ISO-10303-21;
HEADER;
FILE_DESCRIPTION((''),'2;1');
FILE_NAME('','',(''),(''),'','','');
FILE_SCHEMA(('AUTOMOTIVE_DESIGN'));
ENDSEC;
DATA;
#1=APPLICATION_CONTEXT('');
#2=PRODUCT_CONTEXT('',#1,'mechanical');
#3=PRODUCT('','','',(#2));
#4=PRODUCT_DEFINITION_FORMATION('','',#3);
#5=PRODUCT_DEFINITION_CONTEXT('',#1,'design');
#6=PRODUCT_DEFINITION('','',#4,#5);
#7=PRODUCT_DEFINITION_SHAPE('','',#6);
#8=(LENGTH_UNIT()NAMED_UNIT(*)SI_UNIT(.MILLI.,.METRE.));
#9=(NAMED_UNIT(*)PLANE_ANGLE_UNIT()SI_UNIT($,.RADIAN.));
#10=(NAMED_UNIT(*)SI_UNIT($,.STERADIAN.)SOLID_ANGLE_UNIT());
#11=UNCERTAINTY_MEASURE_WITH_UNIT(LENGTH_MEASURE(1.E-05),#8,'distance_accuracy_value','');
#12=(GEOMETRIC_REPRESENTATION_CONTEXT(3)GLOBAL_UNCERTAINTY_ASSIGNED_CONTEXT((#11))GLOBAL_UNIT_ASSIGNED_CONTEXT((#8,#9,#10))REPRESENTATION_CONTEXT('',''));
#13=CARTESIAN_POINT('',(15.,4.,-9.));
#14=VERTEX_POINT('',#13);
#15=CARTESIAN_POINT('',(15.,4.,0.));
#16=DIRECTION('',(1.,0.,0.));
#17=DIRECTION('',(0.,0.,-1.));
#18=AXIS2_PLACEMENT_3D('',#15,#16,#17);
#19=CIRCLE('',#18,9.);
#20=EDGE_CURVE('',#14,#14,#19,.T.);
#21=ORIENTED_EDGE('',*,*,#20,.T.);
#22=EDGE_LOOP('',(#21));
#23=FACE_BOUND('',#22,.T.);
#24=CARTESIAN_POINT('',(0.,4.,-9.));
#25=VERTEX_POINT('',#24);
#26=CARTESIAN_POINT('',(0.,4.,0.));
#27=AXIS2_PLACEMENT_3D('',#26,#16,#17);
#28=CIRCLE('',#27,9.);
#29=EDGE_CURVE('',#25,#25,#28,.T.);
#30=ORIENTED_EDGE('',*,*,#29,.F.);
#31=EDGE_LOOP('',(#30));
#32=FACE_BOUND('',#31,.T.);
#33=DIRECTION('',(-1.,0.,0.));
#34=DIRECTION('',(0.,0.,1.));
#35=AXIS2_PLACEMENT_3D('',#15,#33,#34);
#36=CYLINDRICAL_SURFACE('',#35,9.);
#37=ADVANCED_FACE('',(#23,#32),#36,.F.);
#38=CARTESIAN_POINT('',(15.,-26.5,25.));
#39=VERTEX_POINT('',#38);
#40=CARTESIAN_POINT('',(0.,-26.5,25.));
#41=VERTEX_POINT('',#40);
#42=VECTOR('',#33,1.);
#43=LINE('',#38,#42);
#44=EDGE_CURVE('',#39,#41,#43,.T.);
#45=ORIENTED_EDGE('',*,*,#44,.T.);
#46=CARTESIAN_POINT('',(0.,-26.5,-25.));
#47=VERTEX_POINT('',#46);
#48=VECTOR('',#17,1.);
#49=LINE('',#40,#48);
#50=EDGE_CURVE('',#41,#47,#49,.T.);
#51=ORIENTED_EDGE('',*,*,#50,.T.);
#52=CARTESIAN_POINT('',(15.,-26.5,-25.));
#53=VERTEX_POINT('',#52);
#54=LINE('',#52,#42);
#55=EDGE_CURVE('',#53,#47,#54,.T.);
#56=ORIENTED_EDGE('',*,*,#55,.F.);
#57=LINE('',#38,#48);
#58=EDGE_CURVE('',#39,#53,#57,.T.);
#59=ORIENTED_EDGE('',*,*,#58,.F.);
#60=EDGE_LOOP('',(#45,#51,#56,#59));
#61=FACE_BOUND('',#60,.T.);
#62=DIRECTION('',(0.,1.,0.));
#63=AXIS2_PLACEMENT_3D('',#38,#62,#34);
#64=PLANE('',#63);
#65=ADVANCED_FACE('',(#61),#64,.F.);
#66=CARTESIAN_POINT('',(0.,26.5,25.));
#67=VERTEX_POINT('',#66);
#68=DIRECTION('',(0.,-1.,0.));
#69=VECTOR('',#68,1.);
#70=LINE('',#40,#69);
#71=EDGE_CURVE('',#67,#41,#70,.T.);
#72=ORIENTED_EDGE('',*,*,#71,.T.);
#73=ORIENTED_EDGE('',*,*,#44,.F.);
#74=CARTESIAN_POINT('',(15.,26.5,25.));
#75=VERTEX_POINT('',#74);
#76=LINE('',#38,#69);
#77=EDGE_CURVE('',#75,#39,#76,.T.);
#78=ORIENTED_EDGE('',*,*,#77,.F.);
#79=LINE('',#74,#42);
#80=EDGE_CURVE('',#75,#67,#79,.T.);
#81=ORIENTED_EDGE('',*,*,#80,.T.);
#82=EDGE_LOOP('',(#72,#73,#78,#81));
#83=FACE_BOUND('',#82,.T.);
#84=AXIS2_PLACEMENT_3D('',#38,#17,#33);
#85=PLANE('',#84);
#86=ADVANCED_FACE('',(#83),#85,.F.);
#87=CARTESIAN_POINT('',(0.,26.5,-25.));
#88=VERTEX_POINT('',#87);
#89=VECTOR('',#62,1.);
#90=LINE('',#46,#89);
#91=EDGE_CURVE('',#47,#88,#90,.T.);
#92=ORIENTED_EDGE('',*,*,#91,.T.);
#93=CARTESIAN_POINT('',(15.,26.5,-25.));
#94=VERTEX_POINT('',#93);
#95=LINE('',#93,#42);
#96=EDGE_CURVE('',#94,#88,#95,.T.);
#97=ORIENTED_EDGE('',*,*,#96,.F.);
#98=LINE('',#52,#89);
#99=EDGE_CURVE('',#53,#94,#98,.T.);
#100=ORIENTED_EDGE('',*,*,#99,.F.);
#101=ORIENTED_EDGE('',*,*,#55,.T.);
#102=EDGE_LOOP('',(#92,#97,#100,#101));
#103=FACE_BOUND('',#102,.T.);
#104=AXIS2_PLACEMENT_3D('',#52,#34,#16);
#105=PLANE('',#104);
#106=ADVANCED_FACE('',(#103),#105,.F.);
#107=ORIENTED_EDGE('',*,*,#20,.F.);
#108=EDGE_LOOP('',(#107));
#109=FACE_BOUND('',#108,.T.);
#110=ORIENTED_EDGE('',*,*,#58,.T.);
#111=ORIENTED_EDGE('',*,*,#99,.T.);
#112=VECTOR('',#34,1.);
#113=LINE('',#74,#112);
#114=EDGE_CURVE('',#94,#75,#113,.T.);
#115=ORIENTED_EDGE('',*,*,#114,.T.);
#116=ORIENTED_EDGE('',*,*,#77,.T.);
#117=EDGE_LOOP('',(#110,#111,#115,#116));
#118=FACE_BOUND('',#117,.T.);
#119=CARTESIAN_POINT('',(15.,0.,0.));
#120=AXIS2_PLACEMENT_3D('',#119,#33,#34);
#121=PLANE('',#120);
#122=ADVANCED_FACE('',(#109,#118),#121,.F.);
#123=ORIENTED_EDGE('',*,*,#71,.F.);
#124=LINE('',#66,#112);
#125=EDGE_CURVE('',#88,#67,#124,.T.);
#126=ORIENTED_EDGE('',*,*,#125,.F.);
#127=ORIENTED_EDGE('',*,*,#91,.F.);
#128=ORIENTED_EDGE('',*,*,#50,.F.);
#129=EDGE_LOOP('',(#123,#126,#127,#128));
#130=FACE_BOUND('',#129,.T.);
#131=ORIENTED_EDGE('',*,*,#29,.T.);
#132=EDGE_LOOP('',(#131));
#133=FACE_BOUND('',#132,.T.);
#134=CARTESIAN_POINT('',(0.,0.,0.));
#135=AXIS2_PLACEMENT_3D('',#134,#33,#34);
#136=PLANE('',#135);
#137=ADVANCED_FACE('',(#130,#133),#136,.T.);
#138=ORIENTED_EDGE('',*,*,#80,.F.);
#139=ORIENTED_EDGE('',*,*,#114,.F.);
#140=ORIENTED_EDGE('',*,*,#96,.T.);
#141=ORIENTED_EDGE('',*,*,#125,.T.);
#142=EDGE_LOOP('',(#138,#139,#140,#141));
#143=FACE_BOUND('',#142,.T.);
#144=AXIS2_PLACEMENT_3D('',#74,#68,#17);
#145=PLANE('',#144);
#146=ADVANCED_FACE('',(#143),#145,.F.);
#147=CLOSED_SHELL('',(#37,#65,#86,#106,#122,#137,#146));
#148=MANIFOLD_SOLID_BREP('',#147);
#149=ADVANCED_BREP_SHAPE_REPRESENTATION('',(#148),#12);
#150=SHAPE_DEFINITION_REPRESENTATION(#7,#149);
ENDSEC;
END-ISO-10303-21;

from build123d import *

# Parameters (mm, degrees)
CROQUIS1_W              = 50
CROQUIS1_H              = 53
CROQUIS1_R              = 9
SALIENTE_EXTRUIR1_DEPTH = 15


with BuildPart() as part:
    # Croquis1 → Saliente-Extruir1 (new body)
    with BuildSketch(Plane(origin=(0, 0, 0), x_dir=(0, 0, -1), z_dir=(1, 0, 0))):
        Rectangle(CROQUIS1_W, CROQUIS1_H)
        with Locations((0, 4)):
            Circle(CROQUIS1_R, mode=Mode.SUBTRACT)
    extrude(amount=SALIENTE_EXTRUIR1_DEPTH)


solid = part.part
